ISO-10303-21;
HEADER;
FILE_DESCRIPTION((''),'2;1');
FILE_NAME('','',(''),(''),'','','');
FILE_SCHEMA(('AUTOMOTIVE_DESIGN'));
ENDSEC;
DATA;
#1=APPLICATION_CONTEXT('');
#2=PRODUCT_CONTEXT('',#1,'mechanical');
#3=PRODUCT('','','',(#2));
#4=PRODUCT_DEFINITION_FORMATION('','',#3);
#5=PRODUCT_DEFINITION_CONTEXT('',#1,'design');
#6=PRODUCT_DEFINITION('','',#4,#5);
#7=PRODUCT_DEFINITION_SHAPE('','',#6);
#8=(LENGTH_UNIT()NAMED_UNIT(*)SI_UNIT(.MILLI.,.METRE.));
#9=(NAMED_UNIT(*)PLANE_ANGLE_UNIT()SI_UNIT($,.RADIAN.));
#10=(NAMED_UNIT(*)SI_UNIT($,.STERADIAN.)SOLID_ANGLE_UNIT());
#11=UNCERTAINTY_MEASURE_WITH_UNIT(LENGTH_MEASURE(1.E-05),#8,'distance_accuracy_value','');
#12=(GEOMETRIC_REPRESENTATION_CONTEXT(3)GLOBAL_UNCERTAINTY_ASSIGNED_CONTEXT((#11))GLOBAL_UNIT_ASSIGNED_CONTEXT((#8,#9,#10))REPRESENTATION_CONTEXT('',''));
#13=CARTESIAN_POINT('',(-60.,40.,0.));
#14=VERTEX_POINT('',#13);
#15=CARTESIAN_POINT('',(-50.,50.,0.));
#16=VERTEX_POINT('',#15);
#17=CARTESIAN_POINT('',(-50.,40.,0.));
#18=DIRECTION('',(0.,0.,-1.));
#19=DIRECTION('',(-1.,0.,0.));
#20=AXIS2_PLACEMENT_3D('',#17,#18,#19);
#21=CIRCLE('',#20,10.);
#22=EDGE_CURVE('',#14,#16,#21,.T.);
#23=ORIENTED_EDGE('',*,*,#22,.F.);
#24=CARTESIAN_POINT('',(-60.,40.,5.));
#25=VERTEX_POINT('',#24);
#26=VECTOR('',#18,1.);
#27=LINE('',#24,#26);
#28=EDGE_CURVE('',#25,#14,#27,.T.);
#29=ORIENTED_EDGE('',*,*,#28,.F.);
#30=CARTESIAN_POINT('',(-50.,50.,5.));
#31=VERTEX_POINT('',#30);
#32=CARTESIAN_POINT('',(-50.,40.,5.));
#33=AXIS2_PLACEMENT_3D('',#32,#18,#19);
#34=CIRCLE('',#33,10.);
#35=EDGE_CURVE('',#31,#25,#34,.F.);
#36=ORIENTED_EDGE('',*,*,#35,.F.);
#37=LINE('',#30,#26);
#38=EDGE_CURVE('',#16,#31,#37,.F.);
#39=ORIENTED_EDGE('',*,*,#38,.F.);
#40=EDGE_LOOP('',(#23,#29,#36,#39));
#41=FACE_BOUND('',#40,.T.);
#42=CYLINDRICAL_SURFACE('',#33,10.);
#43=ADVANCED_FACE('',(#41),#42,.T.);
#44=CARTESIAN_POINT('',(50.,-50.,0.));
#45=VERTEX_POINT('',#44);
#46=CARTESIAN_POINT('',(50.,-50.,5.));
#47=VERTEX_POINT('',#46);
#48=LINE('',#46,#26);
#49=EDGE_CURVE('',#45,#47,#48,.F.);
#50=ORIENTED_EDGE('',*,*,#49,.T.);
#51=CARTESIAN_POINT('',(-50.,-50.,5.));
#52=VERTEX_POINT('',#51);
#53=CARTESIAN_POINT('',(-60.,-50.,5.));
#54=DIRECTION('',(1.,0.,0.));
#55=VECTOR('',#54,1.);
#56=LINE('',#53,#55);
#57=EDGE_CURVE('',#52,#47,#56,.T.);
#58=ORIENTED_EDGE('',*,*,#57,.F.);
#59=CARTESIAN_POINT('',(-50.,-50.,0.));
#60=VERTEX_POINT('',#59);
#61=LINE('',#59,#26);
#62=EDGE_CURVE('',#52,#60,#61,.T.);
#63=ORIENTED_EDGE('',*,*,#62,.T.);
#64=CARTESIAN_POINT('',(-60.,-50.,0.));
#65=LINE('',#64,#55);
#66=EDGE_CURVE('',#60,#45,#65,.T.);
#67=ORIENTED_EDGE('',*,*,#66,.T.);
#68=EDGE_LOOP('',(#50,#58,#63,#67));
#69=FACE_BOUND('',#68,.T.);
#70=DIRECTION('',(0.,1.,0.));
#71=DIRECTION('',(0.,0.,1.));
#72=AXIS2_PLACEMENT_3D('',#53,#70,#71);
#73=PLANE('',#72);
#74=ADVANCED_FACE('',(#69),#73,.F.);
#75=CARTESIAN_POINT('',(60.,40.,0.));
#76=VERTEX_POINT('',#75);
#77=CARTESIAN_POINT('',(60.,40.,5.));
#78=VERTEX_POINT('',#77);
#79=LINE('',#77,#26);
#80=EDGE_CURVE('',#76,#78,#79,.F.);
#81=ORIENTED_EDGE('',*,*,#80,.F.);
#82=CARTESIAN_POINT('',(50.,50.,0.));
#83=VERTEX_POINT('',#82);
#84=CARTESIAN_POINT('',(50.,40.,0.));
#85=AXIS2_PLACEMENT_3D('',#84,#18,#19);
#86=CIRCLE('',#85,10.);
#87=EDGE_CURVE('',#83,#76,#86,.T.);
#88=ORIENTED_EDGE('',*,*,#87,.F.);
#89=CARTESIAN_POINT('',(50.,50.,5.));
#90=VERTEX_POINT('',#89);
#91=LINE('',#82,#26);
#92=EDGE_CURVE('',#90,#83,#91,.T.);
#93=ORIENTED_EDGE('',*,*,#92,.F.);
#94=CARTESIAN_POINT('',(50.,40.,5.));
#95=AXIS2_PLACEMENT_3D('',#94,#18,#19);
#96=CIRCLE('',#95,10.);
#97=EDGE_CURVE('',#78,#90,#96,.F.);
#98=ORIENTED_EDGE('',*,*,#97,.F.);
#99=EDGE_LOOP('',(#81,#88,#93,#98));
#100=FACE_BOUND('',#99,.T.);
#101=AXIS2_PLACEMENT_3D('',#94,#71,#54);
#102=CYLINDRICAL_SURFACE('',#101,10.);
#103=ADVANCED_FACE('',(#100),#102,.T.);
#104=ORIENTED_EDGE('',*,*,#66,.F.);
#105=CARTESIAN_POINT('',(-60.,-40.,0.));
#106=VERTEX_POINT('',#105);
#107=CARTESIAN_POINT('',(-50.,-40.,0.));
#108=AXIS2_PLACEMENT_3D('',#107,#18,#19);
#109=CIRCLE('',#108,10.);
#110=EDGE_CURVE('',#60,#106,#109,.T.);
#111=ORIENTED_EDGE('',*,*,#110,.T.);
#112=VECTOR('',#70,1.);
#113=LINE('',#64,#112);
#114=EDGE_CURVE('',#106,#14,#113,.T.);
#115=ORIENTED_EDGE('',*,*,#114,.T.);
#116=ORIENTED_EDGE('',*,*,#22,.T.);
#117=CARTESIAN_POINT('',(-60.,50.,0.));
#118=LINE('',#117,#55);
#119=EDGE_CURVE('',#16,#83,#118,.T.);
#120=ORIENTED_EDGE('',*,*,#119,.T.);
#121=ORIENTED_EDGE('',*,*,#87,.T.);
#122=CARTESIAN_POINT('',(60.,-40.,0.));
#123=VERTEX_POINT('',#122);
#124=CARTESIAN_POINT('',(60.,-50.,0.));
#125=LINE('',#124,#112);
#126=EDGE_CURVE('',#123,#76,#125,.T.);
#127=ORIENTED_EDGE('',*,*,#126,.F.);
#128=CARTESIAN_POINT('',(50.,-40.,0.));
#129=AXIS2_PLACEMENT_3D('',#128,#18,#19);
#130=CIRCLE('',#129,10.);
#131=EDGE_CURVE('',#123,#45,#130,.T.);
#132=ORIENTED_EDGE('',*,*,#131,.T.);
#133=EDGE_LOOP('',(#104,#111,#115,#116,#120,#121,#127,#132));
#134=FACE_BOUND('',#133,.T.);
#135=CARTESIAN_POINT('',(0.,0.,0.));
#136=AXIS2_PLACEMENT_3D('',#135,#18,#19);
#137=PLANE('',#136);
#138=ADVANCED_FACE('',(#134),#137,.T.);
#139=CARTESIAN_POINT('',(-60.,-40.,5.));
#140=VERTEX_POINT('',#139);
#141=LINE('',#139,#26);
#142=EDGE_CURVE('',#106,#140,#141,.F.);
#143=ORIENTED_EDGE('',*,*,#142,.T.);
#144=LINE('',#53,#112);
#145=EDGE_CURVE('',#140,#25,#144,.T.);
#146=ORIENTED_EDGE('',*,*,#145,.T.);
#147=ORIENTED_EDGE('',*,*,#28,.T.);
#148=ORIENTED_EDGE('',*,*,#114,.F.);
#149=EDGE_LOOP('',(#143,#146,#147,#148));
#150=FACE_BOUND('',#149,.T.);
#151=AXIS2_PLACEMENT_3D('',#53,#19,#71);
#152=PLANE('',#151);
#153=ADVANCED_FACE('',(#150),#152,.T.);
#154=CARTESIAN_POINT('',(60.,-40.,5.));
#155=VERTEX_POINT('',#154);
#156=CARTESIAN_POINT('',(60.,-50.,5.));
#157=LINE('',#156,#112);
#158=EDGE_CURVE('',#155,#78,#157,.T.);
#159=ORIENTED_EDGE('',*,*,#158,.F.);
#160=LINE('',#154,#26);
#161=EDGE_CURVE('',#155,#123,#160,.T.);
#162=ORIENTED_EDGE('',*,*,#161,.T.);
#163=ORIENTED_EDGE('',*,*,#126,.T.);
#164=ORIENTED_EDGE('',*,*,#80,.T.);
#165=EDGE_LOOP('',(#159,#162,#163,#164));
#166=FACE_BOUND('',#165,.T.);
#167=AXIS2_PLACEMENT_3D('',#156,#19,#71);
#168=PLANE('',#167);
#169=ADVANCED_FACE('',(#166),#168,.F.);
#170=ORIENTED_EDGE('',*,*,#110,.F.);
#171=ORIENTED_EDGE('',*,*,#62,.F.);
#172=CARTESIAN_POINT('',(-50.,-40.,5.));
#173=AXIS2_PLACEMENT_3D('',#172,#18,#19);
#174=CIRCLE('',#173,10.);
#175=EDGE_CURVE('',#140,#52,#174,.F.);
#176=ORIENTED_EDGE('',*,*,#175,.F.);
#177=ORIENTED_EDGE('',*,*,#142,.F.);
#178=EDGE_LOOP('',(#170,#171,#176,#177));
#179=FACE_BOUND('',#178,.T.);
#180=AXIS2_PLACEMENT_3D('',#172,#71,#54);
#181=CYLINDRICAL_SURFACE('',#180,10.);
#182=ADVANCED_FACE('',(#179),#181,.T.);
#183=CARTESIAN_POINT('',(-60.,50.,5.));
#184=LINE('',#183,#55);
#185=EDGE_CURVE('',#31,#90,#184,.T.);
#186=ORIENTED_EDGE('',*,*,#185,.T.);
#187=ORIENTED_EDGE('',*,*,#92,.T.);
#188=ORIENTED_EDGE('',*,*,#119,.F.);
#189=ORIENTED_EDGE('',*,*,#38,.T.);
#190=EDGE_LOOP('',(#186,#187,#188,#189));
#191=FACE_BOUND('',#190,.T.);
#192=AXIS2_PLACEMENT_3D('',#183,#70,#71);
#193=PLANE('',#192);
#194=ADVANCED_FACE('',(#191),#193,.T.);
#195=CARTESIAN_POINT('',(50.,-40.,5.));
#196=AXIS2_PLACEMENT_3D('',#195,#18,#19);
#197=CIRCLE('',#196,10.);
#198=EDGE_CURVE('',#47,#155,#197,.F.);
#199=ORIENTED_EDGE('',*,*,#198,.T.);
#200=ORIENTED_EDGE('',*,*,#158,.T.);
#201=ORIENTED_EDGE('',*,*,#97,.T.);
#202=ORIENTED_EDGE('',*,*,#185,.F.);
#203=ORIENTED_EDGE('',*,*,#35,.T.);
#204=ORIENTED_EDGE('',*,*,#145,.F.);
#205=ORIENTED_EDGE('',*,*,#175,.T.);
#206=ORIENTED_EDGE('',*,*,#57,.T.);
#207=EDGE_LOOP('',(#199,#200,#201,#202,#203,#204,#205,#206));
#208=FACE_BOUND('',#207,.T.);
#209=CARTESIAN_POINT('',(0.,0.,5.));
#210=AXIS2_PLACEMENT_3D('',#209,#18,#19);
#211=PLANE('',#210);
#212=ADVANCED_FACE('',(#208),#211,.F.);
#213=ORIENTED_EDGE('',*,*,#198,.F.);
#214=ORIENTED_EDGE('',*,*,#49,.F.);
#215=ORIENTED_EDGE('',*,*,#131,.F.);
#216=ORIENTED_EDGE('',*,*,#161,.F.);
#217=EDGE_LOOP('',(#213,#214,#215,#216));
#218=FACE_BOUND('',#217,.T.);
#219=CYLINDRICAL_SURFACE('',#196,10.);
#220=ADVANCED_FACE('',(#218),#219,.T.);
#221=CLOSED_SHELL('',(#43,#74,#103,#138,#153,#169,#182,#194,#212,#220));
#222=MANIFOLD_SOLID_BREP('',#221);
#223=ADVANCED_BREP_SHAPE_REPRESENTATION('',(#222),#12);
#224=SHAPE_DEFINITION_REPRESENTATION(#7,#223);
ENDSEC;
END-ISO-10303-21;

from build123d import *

# Parameters (mm, degrees)
SZKIC1_W                    = 120
SZKIC1_H                    = 100
DODANIE_WYCI_GNI_CIE1_DEPTH = 5
ZAOKR_GLENIE1_R             = 10


with BuildPart() as part:
    # Szkic1 → Dodanie-wyciągnięcie1 (new body)
    with BuildSketch(Plane.XY):
        Rectangle(SZKIC1_W, SZKIC1_H)
    extrude(amount=DODANIE_WYCI_GNI_CIE1_DEPTH)

    # Zaokrąglenie1
    zaokr_glenie1_edges = [part.edges().sort_by_distance(p)[0] for p in [
        (-60, -50, 2.5),
        (60, -50, 2.5),
        (60, 50, 2.5),
        (-60, 50, 2.5),
    ]]
    fillet(zaokr_glenie1_edges, radius=ZAOKR_GLENIE1_R)


solid = part.part
